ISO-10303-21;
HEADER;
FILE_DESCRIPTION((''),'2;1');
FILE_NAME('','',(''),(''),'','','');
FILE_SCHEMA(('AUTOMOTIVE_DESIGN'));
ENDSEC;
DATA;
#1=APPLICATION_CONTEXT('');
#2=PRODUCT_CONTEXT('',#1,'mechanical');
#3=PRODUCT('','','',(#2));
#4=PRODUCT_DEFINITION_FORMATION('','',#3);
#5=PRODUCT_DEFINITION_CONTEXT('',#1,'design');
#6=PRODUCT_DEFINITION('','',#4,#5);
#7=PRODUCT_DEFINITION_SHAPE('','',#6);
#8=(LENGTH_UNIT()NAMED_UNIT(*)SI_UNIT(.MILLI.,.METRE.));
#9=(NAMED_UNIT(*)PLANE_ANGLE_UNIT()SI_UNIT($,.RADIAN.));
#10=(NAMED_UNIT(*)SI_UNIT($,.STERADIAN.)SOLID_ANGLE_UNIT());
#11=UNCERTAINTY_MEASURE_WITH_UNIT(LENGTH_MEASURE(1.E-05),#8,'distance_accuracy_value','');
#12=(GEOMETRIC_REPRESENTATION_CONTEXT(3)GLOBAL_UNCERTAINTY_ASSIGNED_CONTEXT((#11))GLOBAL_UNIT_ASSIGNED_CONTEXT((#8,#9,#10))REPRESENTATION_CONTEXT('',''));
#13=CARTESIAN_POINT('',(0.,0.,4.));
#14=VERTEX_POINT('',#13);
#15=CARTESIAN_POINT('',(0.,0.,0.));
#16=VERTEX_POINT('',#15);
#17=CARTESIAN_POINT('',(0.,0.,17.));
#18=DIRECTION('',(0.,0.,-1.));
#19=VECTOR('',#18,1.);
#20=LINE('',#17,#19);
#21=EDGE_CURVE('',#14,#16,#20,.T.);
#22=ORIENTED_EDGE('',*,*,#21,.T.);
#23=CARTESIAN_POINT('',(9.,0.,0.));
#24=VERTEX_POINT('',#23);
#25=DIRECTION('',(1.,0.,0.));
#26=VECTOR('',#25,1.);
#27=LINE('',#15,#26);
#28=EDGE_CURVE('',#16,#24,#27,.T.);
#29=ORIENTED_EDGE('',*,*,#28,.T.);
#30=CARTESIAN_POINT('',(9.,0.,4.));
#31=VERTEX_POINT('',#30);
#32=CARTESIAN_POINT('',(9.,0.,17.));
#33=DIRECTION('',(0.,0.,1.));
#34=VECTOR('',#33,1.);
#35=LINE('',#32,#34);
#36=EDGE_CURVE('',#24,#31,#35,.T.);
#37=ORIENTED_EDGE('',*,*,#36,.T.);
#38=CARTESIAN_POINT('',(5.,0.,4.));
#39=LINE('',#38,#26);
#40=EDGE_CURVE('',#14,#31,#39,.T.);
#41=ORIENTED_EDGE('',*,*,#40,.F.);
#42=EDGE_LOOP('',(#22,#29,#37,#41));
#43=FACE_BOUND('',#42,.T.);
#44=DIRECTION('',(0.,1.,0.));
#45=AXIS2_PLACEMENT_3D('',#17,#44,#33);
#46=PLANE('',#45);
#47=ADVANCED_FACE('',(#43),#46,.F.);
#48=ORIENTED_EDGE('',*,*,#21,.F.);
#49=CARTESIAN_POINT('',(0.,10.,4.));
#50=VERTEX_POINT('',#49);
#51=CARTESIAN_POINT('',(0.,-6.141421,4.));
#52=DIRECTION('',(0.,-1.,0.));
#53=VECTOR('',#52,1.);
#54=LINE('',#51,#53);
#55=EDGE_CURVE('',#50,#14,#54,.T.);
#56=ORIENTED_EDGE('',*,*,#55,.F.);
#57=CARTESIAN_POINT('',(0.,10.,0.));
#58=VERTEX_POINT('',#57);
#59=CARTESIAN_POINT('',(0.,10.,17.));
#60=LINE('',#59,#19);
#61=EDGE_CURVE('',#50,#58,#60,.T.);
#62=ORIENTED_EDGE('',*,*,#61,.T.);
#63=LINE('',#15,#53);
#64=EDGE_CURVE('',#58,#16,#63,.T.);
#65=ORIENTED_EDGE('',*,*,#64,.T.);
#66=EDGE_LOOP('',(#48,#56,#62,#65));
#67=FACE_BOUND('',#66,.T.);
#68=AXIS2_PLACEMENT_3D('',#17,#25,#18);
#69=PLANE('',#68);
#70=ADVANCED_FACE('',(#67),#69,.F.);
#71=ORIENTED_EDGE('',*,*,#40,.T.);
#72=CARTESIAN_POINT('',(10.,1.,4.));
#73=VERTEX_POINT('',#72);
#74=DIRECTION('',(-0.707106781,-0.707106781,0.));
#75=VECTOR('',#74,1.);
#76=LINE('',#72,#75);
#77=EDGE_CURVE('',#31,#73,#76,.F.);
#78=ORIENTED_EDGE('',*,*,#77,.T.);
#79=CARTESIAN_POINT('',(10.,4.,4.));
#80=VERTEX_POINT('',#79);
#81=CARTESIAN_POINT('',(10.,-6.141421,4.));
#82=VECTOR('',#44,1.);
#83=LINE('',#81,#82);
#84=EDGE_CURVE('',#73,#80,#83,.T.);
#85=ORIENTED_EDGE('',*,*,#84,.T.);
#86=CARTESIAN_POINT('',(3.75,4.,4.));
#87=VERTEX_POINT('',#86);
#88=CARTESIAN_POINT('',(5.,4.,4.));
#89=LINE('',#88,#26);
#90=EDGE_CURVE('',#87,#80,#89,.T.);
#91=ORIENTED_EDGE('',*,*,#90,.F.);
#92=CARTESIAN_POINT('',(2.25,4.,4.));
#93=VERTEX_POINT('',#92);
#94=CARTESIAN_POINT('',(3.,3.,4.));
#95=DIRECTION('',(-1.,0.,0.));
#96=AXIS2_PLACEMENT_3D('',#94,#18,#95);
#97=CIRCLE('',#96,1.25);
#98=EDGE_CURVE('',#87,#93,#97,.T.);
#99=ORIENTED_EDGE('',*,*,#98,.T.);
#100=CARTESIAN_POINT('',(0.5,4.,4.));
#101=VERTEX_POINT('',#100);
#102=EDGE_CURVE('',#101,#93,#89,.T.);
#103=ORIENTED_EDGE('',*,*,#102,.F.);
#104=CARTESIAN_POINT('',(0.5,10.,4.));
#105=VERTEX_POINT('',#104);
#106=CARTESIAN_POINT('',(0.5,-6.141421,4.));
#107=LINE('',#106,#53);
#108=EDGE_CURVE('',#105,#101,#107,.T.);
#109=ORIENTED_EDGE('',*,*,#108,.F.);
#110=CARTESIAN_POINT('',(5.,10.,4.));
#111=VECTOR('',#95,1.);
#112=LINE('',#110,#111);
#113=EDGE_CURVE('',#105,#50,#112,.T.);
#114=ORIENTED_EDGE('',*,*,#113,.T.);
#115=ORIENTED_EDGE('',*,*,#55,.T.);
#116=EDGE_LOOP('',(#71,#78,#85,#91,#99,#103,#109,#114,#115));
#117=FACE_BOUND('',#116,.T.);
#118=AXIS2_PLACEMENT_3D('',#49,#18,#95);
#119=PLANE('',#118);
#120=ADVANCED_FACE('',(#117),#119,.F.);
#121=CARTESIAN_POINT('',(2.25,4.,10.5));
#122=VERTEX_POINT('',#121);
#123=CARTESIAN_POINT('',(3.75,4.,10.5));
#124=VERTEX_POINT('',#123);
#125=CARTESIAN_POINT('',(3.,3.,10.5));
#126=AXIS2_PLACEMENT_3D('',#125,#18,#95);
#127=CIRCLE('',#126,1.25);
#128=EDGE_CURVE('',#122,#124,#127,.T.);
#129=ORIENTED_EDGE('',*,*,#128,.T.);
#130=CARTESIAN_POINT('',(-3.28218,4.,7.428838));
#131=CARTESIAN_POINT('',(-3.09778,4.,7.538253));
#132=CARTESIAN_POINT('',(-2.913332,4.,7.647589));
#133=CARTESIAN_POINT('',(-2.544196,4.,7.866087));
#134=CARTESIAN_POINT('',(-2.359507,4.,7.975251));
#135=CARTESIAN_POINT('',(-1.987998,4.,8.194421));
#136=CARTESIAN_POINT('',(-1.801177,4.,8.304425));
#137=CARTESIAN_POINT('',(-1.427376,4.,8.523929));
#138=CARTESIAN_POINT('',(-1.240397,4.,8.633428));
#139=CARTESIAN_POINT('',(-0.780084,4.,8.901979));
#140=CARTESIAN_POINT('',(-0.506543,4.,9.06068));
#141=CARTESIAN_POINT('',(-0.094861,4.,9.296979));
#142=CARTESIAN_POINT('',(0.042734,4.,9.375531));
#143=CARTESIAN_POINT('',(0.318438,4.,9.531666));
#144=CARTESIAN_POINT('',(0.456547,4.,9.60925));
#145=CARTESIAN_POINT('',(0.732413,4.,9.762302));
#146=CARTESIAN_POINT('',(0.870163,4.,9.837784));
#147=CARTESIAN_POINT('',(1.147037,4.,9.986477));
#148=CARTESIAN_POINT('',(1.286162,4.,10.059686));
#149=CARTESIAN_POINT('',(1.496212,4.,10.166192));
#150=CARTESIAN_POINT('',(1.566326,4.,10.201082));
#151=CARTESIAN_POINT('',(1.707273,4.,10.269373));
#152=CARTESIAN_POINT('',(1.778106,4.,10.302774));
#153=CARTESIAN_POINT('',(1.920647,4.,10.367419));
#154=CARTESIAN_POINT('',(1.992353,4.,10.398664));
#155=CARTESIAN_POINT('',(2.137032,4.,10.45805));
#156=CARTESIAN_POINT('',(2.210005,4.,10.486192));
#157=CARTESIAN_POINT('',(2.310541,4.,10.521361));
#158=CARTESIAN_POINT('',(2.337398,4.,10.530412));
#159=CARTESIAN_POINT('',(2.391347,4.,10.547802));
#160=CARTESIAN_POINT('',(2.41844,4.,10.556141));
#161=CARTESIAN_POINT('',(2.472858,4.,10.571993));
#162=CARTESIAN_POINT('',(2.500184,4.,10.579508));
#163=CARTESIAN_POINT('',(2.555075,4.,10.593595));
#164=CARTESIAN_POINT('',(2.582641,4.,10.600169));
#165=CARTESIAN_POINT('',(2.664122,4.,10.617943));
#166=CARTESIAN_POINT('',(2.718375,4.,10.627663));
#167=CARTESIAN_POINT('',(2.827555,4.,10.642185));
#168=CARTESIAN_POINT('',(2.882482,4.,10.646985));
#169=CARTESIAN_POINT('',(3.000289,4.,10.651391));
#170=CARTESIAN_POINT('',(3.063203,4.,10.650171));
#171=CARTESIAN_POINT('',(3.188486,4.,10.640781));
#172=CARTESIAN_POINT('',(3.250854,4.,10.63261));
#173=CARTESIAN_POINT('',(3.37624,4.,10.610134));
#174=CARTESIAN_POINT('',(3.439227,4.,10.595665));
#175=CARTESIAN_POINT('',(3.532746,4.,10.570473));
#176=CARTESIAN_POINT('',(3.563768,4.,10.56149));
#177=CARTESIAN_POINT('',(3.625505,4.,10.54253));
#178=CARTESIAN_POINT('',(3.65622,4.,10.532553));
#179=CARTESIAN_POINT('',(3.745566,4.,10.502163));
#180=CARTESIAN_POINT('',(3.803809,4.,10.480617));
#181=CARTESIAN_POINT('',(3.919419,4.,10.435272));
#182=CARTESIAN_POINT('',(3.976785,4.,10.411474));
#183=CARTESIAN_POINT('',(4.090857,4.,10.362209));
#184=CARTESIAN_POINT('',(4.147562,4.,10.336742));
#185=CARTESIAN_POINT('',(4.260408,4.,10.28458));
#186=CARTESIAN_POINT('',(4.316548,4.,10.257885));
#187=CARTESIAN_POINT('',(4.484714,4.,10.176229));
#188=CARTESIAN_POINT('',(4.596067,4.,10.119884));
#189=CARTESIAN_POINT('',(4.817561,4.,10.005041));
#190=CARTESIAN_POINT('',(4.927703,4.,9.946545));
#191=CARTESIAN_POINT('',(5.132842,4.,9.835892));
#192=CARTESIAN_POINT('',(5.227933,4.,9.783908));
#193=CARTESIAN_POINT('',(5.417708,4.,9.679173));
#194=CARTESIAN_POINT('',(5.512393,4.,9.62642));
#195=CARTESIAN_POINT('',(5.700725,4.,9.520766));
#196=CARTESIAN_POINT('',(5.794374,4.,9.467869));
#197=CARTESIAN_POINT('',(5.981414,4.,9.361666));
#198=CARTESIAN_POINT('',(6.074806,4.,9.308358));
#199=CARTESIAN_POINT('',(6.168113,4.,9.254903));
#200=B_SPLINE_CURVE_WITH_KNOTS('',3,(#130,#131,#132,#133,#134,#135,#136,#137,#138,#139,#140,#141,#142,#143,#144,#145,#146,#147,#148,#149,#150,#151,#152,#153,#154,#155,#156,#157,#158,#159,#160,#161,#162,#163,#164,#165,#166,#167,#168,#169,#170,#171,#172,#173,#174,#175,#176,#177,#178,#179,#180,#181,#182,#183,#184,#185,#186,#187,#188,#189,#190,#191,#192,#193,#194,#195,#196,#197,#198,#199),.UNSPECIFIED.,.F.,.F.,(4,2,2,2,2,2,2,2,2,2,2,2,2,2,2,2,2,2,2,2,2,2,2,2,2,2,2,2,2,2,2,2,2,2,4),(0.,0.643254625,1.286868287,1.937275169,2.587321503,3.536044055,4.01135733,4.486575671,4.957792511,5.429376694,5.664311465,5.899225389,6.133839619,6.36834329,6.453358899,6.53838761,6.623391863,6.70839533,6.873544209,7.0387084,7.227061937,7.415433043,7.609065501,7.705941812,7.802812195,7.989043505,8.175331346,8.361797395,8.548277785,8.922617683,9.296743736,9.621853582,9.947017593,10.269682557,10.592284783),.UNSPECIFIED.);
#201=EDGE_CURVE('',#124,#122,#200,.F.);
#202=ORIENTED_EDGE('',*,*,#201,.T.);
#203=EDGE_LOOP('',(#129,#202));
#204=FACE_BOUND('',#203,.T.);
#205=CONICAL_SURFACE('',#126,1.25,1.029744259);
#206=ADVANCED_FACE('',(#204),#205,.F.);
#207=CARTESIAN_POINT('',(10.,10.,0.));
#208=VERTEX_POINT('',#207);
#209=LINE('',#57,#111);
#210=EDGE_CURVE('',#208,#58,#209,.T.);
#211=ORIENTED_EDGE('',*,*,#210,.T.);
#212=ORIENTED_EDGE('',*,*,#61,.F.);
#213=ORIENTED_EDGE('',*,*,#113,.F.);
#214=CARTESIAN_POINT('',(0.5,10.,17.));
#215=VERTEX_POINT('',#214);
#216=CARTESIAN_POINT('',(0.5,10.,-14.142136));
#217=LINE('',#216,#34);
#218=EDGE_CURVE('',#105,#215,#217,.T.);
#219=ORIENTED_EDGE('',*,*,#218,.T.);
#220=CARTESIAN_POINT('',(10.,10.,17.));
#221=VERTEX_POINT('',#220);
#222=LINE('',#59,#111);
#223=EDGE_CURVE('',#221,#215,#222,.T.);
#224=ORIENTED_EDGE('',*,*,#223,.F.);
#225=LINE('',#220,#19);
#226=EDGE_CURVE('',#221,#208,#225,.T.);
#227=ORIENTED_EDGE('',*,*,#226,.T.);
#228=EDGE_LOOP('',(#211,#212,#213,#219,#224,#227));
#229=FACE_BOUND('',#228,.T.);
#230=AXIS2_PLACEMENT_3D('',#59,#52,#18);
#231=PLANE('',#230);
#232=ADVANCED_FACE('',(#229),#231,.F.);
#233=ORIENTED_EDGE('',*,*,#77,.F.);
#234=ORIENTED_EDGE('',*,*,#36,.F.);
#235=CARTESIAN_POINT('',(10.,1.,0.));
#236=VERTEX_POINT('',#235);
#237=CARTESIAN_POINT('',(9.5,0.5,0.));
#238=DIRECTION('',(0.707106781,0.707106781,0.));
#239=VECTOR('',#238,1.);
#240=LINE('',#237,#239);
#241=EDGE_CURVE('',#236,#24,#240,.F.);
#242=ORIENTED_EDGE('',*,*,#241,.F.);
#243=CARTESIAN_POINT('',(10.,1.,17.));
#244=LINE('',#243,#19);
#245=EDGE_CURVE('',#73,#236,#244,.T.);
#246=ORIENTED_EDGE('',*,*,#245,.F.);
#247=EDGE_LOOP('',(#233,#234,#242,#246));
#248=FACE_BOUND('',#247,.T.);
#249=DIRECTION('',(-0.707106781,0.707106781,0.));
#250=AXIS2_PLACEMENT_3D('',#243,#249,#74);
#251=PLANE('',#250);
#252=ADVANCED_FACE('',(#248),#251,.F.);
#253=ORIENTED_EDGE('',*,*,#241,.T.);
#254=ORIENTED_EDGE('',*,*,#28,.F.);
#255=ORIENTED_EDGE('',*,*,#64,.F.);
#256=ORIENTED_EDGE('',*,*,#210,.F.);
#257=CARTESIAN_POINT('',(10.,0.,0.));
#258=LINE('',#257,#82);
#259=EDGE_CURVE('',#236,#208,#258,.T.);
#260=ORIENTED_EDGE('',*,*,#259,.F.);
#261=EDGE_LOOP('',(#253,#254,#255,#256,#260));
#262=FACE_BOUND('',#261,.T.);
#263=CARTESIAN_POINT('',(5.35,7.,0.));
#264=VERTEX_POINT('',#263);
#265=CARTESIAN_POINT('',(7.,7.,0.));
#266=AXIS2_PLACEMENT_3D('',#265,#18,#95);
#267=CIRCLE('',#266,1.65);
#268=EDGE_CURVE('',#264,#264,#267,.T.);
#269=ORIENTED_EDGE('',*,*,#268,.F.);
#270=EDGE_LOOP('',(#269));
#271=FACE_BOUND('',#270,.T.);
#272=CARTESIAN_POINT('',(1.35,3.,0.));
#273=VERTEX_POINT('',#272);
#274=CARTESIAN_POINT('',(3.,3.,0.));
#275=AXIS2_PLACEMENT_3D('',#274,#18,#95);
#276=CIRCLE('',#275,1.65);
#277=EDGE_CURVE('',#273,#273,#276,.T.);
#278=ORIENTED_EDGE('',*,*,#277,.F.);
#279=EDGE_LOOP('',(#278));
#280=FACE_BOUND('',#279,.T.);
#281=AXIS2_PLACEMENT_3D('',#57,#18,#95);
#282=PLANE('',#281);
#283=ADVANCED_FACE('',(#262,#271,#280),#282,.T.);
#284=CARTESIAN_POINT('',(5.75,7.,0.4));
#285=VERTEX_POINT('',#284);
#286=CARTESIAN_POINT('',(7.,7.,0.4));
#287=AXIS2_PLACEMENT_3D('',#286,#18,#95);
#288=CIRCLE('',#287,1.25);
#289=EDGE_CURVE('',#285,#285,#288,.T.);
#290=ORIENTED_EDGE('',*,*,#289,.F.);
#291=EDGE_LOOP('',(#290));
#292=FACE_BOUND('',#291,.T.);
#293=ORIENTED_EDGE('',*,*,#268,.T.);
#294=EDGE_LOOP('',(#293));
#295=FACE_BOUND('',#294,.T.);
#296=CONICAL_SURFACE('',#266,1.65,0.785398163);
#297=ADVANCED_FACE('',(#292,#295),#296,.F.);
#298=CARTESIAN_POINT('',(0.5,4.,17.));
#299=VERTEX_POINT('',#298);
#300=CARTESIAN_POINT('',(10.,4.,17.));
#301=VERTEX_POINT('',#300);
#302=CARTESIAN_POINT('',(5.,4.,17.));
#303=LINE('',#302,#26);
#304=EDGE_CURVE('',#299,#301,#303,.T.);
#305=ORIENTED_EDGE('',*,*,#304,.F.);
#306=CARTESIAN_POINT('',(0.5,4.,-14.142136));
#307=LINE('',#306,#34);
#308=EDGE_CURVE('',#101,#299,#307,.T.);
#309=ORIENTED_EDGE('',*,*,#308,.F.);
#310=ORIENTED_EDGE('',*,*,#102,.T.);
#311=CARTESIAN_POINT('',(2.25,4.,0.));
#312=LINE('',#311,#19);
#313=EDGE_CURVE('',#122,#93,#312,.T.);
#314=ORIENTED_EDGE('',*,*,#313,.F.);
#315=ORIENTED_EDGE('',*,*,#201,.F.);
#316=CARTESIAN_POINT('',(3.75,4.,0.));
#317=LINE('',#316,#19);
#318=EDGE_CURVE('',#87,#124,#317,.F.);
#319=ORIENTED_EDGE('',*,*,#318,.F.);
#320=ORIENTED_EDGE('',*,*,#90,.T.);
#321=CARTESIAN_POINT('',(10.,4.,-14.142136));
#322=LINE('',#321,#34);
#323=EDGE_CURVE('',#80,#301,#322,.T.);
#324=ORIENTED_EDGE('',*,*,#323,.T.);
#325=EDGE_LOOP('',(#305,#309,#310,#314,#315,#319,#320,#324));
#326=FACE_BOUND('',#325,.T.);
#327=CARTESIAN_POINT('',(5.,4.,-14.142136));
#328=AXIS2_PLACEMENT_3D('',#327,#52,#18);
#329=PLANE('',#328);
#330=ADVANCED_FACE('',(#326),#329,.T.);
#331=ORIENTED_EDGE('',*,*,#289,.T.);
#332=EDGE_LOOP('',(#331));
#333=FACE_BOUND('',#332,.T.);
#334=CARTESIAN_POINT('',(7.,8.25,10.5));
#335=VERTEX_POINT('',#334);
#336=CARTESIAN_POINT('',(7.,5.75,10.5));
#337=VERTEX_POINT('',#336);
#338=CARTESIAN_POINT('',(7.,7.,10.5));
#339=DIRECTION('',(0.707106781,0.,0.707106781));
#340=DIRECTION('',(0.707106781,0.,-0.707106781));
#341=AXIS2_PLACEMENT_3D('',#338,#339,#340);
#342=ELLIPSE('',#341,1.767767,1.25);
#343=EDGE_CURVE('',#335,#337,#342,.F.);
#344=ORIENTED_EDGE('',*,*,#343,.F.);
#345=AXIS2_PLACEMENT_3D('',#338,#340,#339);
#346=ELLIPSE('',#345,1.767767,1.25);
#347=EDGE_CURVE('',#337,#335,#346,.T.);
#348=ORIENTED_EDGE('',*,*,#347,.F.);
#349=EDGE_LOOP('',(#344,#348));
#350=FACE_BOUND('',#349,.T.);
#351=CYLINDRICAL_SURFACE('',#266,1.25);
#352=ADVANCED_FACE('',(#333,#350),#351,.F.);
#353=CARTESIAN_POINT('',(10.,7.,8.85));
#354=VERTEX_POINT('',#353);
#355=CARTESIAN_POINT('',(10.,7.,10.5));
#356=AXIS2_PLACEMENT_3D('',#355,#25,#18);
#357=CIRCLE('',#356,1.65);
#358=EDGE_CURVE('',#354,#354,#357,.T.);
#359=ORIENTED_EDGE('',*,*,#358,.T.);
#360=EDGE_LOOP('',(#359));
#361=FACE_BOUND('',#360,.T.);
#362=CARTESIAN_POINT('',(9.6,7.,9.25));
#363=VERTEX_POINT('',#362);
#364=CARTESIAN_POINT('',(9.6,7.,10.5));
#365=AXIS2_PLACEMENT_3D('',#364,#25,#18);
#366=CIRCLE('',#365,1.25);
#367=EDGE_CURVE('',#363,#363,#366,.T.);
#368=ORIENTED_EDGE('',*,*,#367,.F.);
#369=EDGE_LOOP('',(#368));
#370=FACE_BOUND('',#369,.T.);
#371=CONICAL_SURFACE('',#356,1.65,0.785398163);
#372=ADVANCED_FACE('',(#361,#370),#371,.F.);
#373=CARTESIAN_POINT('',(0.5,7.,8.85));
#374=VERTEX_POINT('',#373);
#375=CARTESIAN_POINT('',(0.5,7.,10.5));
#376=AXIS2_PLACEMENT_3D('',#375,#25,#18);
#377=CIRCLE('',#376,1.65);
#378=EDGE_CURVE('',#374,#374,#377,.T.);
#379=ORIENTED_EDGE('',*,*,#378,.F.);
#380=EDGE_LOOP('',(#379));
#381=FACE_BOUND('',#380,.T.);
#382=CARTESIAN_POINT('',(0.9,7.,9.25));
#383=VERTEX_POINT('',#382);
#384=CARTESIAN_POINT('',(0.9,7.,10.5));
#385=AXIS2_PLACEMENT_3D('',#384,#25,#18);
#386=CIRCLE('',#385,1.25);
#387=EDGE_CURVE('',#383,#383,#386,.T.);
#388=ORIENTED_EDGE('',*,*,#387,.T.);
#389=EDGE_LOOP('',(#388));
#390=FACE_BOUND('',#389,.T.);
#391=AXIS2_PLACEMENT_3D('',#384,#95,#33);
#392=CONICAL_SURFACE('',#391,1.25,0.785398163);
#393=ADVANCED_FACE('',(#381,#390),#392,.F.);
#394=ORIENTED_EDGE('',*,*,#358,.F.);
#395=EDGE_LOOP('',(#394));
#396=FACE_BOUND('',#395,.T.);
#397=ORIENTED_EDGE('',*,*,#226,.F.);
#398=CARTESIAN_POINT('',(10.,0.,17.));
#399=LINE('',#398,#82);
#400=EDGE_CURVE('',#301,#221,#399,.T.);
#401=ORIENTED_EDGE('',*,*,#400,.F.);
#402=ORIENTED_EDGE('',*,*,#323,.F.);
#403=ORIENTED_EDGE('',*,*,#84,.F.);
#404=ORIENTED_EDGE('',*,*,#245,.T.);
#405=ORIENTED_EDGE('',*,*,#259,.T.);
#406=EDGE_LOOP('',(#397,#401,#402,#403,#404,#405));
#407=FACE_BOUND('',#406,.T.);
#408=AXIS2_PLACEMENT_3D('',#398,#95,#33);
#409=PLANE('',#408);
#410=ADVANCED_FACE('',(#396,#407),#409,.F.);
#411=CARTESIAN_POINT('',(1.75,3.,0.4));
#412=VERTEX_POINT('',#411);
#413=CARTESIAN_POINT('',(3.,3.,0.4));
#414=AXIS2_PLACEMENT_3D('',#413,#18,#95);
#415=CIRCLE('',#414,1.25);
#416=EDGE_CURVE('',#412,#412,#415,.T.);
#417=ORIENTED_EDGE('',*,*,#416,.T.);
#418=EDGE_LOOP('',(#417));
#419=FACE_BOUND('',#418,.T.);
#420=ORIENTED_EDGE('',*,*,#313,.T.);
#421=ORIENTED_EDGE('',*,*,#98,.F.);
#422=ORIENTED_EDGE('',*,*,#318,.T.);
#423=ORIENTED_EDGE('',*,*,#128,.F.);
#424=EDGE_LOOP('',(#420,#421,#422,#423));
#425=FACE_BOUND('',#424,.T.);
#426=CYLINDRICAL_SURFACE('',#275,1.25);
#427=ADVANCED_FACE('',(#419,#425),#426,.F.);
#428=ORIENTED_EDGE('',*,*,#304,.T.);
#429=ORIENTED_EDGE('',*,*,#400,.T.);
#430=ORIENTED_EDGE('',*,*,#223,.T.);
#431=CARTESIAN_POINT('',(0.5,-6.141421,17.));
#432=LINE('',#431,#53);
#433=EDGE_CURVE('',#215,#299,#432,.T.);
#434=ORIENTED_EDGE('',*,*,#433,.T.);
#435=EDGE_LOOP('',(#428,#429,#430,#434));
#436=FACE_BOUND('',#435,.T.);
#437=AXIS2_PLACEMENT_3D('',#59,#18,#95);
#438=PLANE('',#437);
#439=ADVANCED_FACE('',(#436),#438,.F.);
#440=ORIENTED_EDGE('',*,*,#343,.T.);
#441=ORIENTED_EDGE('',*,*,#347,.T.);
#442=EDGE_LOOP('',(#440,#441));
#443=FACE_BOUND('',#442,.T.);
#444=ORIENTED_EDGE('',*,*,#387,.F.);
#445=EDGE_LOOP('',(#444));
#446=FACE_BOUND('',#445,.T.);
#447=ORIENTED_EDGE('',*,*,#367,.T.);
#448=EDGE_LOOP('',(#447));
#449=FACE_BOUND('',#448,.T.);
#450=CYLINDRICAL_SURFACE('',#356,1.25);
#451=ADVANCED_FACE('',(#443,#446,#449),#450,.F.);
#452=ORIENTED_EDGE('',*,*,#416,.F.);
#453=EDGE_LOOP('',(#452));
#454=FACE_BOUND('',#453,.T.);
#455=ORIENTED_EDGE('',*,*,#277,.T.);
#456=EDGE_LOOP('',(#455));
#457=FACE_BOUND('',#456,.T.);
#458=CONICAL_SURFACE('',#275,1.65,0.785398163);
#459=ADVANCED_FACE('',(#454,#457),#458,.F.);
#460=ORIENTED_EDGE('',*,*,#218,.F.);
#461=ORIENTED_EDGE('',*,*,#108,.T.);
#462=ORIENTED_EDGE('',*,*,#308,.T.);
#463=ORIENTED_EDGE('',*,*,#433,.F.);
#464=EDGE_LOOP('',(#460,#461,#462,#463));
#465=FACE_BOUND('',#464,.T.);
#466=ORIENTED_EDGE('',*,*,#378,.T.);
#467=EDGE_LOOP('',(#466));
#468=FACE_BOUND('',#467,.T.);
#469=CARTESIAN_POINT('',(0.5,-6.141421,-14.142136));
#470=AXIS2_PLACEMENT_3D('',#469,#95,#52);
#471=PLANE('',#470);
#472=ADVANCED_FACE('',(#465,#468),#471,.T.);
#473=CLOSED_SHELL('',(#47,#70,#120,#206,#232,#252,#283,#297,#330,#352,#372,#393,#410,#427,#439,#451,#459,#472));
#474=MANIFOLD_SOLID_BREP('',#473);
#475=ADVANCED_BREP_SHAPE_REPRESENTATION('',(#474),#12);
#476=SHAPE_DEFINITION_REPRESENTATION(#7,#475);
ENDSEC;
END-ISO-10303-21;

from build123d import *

# Parameters (mm, degrees)
SKETCH_1_W                  = 10
SKETCH_1_H                  = 10
EXTRUDE_1_DEPTH             = 17
CUT_EXTRUDE_1_DEPTH         = 13
HOLE_WIZARD_M32_D           = 2.5
HOLE_WIZARD_M32_DEPTH       = 10.5
HOLE_WIZARD_M32_CSINK_D     = 3.3
HOLE_WIZARD_M32_CSINK_ANGLE = 90
HOLE_WIZARD_M32_TIP         = 0.751075774
CHAMFER_1_SIZE              = 1


with BuildPart() as part:
    # Эскиз1 → Бобышка-Вытянуть1 (new body)
    with BuildSketch(Plane.XY):
        with Locations((5, 5)):
            Rectangle(SKETCH_1_W, SKETCH_1_H)
    extrude(amount=EXTRUDE_1_DEPTH)

    # Эскиз7 → Вырез-Вытянуть1 (cut)
    with BuildSketch(Plane.XY.offset(17)):
        Polygon((0.5, 4), (0.5, 10), (0, 10), (0, 0), (10, 0), (10, 4), align=None)
    extrude(amount=-CUT_EXTRUDE_1_DEPTH, mode=Mode.SUBTRACT)

    # Эскиз3 → Отверстие обработанное метчиком M31 (revolve, cut)
    with BuildSketch(Plane(origin=(10, 7, 10.5), x_dir=(0, 0, -1), z_dir=(0, 1, 0))):
        Polygon((0, 0), (0, 9.5), (1.65, 9.5), (1.25, 9.1), (1.25, 0.4), (1.65, 0), align=None)
    revolve(axis=Axis((16.35, 7, 10.5), (-1, 0, 0)), mode=Mode.SUBTRACT)

    # Отверстие обработанное метчиком M32
    with Locations(Plane(origin=(0, 0, 0), x_dir=(-1, 0, 0), z_dir=(0, 0, -1))):
        with Locations((-3, 3), (-7, 7)):
            CounterSinkHole(HOLE_WIZARD_M32_D / 2, HOLE_WIZARD_M32_CSINK_D / 2, depth=HOLE_WIZARD_M32_DEPTH, counter_sink_angle=HOLE_WIZARD_M32_CSINK_ANGLE)
            with Locations((0, 0, -(HOLE_WIZARD_M32_DEPTH + HOLE_WIZARD_M32_TIP / 2))):  # 118° drill point
                Cone(0, HOLE_WIZARD_M32_D / 2, HOLE_WIZARD_M32_TIP, mode=Mode.SUBTRACT)

    # Фаска1
    chamfer_1_edges = [part.edges().sort_by_distance(p)[0] for p in [
        (10, 0, 2),
    ]]
    chamfer(chamfer_1_edges, length=CHAMFER_1_SIZE)


solid = part.part
